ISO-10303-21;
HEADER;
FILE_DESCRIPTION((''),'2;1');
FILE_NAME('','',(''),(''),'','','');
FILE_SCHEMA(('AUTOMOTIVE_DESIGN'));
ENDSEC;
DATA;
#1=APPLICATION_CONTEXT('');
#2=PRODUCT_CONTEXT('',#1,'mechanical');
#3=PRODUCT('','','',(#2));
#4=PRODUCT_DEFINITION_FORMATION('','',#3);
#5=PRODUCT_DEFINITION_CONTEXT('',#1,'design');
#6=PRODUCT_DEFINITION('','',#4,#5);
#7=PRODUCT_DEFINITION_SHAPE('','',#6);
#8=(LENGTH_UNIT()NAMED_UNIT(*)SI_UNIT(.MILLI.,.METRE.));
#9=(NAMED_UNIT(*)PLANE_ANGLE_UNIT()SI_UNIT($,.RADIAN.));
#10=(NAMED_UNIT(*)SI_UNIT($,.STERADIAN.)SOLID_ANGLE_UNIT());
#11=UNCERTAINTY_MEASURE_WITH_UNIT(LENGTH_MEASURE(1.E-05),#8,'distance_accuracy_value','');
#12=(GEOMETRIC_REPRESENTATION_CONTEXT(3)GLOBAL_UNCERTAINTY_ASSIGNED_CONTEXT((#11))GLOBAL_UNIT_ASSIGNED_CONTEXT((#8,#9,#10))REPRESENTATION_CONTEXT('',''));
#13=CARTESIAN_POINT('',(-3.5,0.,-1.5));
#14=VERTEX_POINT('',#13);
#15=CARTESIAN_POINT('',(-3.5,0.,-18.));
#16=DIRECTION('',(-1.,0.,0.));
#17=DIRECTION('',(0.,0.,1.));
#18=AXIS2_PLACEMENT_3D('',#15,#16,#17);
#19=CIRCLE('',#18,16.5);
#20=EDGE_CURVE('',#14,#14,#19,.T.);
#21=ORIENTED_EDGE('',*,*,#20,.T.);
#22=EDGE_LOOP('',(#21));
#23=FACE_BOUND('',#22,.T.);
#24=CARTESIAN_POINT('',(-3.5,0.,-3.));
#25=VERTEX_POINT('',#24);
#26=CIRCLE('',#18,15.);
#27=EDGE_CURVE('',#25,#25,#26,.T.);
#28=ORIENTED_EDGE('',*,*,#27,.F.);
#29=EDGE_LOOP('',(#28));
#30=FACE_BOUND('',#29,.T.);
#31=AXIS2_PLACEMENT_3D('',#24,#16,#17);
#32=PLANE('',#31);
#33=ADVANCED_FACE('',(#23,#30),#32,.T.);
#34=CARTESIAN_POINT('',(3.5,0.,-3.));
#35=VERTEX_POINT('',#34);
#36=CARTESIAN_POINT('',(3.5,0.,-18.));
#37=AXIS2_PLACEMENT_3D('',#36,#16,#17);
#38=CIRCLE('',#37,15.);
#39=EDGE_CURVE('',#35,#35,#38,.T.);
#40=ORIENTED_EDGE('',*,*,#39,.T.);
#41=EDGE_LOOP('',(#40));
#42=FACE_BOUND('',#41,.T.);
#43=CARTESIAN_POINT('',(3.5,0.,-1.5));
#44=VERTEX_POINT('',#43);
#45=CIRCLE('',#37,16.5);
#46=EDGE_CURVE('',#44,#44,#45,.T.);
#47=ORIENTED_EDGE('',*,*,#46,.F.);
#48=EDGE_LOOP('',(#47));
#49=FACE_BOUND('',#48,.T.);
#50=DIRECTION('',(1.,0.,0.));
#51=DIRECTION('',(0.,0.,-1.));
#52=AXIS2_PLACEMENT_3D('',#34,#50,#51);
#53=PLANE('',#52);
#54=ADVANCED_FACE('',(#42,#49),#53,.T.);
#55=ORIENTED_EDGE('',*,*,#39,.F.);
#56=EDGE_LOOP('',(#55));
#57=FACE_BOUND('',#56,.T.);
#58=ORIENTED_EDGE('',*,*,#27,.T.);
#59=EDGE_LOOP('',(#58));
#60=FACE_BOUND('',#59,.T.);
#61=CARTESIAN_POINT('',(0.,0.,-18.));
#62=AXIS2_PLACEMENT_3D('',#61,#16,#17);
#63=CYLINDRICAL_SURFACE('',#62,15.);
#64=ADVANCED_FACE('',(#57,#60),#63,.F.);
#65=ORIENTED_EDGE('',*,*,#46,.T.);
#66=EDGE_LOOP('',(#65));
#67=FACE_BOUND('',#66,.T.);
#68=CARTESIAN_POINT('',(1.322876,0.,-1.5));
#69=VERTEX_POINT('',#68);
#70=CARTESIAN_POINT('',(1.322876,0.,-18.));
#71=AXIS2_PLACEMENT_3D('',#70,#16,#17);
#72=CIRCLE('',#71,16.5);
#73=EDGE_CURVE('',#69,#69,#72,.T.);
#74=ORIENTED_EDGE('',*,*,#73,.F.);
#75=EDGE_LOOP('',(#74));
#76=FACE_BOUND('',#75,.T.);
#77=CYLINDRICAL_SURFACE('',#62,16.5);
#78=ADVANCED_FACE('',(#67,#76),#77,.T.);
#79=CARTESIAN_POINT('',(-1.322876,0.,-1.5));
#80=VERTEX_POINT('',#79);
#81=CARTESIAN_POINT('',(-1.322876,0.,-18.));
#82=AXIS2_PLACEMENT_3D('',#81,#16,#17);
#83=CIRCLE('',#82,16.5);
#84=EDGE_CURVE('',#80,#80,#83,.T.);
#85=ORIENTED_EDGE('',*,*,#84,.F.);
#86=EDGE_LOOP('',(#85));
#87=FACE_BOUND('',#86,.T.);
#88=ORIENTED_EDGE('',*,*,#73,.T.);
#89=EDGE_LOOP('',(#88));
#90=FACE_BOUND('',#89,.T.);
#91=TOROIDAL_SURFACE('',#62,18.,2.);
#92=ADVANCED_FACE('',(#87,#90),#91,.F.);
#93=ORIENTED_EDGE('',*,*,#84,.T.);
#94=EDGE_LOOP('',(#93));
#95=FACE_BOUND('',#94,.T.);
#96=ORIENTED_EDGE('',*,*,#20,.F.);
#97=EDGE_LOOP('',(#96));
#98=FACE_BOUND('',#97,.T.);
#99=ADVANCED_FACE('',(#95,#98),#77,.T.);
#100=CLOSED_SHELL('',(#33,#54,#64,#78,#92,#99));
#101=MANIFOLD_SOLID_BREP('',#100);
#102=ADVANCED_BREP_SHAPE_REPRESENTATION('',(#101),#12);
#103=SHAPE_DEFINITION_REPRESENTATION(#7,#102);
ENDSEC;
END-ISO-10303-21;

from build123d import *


with BuildPart() as part:
    # 草图1 → 旋转1 (revolve)
    with BuildSketch(Plane(origin=(0, 0, 0), x_dir=(1, 0, 0), z_dir=(0, 1, 0))):
        with BuildLine():
            Line((1.322875656, 1.5), (3.5, 1.5))
            Line((3.5, 1.5), (3.5, 3))
            Line((3.5, 3), (-3.5, 3))
            Line((-3.5, 3), (-3.5, 1.5))
            Line((-3.5, 1.5), (-1.322875656, 1.5))
            ThreePointArc((-1.322875656, 1.5), (0, 2), (1.322875656, 1.5))
        make_face()
    revolve(axis=Axis((0, 0, -18), (1, 0, 0)))


solid = part.part
